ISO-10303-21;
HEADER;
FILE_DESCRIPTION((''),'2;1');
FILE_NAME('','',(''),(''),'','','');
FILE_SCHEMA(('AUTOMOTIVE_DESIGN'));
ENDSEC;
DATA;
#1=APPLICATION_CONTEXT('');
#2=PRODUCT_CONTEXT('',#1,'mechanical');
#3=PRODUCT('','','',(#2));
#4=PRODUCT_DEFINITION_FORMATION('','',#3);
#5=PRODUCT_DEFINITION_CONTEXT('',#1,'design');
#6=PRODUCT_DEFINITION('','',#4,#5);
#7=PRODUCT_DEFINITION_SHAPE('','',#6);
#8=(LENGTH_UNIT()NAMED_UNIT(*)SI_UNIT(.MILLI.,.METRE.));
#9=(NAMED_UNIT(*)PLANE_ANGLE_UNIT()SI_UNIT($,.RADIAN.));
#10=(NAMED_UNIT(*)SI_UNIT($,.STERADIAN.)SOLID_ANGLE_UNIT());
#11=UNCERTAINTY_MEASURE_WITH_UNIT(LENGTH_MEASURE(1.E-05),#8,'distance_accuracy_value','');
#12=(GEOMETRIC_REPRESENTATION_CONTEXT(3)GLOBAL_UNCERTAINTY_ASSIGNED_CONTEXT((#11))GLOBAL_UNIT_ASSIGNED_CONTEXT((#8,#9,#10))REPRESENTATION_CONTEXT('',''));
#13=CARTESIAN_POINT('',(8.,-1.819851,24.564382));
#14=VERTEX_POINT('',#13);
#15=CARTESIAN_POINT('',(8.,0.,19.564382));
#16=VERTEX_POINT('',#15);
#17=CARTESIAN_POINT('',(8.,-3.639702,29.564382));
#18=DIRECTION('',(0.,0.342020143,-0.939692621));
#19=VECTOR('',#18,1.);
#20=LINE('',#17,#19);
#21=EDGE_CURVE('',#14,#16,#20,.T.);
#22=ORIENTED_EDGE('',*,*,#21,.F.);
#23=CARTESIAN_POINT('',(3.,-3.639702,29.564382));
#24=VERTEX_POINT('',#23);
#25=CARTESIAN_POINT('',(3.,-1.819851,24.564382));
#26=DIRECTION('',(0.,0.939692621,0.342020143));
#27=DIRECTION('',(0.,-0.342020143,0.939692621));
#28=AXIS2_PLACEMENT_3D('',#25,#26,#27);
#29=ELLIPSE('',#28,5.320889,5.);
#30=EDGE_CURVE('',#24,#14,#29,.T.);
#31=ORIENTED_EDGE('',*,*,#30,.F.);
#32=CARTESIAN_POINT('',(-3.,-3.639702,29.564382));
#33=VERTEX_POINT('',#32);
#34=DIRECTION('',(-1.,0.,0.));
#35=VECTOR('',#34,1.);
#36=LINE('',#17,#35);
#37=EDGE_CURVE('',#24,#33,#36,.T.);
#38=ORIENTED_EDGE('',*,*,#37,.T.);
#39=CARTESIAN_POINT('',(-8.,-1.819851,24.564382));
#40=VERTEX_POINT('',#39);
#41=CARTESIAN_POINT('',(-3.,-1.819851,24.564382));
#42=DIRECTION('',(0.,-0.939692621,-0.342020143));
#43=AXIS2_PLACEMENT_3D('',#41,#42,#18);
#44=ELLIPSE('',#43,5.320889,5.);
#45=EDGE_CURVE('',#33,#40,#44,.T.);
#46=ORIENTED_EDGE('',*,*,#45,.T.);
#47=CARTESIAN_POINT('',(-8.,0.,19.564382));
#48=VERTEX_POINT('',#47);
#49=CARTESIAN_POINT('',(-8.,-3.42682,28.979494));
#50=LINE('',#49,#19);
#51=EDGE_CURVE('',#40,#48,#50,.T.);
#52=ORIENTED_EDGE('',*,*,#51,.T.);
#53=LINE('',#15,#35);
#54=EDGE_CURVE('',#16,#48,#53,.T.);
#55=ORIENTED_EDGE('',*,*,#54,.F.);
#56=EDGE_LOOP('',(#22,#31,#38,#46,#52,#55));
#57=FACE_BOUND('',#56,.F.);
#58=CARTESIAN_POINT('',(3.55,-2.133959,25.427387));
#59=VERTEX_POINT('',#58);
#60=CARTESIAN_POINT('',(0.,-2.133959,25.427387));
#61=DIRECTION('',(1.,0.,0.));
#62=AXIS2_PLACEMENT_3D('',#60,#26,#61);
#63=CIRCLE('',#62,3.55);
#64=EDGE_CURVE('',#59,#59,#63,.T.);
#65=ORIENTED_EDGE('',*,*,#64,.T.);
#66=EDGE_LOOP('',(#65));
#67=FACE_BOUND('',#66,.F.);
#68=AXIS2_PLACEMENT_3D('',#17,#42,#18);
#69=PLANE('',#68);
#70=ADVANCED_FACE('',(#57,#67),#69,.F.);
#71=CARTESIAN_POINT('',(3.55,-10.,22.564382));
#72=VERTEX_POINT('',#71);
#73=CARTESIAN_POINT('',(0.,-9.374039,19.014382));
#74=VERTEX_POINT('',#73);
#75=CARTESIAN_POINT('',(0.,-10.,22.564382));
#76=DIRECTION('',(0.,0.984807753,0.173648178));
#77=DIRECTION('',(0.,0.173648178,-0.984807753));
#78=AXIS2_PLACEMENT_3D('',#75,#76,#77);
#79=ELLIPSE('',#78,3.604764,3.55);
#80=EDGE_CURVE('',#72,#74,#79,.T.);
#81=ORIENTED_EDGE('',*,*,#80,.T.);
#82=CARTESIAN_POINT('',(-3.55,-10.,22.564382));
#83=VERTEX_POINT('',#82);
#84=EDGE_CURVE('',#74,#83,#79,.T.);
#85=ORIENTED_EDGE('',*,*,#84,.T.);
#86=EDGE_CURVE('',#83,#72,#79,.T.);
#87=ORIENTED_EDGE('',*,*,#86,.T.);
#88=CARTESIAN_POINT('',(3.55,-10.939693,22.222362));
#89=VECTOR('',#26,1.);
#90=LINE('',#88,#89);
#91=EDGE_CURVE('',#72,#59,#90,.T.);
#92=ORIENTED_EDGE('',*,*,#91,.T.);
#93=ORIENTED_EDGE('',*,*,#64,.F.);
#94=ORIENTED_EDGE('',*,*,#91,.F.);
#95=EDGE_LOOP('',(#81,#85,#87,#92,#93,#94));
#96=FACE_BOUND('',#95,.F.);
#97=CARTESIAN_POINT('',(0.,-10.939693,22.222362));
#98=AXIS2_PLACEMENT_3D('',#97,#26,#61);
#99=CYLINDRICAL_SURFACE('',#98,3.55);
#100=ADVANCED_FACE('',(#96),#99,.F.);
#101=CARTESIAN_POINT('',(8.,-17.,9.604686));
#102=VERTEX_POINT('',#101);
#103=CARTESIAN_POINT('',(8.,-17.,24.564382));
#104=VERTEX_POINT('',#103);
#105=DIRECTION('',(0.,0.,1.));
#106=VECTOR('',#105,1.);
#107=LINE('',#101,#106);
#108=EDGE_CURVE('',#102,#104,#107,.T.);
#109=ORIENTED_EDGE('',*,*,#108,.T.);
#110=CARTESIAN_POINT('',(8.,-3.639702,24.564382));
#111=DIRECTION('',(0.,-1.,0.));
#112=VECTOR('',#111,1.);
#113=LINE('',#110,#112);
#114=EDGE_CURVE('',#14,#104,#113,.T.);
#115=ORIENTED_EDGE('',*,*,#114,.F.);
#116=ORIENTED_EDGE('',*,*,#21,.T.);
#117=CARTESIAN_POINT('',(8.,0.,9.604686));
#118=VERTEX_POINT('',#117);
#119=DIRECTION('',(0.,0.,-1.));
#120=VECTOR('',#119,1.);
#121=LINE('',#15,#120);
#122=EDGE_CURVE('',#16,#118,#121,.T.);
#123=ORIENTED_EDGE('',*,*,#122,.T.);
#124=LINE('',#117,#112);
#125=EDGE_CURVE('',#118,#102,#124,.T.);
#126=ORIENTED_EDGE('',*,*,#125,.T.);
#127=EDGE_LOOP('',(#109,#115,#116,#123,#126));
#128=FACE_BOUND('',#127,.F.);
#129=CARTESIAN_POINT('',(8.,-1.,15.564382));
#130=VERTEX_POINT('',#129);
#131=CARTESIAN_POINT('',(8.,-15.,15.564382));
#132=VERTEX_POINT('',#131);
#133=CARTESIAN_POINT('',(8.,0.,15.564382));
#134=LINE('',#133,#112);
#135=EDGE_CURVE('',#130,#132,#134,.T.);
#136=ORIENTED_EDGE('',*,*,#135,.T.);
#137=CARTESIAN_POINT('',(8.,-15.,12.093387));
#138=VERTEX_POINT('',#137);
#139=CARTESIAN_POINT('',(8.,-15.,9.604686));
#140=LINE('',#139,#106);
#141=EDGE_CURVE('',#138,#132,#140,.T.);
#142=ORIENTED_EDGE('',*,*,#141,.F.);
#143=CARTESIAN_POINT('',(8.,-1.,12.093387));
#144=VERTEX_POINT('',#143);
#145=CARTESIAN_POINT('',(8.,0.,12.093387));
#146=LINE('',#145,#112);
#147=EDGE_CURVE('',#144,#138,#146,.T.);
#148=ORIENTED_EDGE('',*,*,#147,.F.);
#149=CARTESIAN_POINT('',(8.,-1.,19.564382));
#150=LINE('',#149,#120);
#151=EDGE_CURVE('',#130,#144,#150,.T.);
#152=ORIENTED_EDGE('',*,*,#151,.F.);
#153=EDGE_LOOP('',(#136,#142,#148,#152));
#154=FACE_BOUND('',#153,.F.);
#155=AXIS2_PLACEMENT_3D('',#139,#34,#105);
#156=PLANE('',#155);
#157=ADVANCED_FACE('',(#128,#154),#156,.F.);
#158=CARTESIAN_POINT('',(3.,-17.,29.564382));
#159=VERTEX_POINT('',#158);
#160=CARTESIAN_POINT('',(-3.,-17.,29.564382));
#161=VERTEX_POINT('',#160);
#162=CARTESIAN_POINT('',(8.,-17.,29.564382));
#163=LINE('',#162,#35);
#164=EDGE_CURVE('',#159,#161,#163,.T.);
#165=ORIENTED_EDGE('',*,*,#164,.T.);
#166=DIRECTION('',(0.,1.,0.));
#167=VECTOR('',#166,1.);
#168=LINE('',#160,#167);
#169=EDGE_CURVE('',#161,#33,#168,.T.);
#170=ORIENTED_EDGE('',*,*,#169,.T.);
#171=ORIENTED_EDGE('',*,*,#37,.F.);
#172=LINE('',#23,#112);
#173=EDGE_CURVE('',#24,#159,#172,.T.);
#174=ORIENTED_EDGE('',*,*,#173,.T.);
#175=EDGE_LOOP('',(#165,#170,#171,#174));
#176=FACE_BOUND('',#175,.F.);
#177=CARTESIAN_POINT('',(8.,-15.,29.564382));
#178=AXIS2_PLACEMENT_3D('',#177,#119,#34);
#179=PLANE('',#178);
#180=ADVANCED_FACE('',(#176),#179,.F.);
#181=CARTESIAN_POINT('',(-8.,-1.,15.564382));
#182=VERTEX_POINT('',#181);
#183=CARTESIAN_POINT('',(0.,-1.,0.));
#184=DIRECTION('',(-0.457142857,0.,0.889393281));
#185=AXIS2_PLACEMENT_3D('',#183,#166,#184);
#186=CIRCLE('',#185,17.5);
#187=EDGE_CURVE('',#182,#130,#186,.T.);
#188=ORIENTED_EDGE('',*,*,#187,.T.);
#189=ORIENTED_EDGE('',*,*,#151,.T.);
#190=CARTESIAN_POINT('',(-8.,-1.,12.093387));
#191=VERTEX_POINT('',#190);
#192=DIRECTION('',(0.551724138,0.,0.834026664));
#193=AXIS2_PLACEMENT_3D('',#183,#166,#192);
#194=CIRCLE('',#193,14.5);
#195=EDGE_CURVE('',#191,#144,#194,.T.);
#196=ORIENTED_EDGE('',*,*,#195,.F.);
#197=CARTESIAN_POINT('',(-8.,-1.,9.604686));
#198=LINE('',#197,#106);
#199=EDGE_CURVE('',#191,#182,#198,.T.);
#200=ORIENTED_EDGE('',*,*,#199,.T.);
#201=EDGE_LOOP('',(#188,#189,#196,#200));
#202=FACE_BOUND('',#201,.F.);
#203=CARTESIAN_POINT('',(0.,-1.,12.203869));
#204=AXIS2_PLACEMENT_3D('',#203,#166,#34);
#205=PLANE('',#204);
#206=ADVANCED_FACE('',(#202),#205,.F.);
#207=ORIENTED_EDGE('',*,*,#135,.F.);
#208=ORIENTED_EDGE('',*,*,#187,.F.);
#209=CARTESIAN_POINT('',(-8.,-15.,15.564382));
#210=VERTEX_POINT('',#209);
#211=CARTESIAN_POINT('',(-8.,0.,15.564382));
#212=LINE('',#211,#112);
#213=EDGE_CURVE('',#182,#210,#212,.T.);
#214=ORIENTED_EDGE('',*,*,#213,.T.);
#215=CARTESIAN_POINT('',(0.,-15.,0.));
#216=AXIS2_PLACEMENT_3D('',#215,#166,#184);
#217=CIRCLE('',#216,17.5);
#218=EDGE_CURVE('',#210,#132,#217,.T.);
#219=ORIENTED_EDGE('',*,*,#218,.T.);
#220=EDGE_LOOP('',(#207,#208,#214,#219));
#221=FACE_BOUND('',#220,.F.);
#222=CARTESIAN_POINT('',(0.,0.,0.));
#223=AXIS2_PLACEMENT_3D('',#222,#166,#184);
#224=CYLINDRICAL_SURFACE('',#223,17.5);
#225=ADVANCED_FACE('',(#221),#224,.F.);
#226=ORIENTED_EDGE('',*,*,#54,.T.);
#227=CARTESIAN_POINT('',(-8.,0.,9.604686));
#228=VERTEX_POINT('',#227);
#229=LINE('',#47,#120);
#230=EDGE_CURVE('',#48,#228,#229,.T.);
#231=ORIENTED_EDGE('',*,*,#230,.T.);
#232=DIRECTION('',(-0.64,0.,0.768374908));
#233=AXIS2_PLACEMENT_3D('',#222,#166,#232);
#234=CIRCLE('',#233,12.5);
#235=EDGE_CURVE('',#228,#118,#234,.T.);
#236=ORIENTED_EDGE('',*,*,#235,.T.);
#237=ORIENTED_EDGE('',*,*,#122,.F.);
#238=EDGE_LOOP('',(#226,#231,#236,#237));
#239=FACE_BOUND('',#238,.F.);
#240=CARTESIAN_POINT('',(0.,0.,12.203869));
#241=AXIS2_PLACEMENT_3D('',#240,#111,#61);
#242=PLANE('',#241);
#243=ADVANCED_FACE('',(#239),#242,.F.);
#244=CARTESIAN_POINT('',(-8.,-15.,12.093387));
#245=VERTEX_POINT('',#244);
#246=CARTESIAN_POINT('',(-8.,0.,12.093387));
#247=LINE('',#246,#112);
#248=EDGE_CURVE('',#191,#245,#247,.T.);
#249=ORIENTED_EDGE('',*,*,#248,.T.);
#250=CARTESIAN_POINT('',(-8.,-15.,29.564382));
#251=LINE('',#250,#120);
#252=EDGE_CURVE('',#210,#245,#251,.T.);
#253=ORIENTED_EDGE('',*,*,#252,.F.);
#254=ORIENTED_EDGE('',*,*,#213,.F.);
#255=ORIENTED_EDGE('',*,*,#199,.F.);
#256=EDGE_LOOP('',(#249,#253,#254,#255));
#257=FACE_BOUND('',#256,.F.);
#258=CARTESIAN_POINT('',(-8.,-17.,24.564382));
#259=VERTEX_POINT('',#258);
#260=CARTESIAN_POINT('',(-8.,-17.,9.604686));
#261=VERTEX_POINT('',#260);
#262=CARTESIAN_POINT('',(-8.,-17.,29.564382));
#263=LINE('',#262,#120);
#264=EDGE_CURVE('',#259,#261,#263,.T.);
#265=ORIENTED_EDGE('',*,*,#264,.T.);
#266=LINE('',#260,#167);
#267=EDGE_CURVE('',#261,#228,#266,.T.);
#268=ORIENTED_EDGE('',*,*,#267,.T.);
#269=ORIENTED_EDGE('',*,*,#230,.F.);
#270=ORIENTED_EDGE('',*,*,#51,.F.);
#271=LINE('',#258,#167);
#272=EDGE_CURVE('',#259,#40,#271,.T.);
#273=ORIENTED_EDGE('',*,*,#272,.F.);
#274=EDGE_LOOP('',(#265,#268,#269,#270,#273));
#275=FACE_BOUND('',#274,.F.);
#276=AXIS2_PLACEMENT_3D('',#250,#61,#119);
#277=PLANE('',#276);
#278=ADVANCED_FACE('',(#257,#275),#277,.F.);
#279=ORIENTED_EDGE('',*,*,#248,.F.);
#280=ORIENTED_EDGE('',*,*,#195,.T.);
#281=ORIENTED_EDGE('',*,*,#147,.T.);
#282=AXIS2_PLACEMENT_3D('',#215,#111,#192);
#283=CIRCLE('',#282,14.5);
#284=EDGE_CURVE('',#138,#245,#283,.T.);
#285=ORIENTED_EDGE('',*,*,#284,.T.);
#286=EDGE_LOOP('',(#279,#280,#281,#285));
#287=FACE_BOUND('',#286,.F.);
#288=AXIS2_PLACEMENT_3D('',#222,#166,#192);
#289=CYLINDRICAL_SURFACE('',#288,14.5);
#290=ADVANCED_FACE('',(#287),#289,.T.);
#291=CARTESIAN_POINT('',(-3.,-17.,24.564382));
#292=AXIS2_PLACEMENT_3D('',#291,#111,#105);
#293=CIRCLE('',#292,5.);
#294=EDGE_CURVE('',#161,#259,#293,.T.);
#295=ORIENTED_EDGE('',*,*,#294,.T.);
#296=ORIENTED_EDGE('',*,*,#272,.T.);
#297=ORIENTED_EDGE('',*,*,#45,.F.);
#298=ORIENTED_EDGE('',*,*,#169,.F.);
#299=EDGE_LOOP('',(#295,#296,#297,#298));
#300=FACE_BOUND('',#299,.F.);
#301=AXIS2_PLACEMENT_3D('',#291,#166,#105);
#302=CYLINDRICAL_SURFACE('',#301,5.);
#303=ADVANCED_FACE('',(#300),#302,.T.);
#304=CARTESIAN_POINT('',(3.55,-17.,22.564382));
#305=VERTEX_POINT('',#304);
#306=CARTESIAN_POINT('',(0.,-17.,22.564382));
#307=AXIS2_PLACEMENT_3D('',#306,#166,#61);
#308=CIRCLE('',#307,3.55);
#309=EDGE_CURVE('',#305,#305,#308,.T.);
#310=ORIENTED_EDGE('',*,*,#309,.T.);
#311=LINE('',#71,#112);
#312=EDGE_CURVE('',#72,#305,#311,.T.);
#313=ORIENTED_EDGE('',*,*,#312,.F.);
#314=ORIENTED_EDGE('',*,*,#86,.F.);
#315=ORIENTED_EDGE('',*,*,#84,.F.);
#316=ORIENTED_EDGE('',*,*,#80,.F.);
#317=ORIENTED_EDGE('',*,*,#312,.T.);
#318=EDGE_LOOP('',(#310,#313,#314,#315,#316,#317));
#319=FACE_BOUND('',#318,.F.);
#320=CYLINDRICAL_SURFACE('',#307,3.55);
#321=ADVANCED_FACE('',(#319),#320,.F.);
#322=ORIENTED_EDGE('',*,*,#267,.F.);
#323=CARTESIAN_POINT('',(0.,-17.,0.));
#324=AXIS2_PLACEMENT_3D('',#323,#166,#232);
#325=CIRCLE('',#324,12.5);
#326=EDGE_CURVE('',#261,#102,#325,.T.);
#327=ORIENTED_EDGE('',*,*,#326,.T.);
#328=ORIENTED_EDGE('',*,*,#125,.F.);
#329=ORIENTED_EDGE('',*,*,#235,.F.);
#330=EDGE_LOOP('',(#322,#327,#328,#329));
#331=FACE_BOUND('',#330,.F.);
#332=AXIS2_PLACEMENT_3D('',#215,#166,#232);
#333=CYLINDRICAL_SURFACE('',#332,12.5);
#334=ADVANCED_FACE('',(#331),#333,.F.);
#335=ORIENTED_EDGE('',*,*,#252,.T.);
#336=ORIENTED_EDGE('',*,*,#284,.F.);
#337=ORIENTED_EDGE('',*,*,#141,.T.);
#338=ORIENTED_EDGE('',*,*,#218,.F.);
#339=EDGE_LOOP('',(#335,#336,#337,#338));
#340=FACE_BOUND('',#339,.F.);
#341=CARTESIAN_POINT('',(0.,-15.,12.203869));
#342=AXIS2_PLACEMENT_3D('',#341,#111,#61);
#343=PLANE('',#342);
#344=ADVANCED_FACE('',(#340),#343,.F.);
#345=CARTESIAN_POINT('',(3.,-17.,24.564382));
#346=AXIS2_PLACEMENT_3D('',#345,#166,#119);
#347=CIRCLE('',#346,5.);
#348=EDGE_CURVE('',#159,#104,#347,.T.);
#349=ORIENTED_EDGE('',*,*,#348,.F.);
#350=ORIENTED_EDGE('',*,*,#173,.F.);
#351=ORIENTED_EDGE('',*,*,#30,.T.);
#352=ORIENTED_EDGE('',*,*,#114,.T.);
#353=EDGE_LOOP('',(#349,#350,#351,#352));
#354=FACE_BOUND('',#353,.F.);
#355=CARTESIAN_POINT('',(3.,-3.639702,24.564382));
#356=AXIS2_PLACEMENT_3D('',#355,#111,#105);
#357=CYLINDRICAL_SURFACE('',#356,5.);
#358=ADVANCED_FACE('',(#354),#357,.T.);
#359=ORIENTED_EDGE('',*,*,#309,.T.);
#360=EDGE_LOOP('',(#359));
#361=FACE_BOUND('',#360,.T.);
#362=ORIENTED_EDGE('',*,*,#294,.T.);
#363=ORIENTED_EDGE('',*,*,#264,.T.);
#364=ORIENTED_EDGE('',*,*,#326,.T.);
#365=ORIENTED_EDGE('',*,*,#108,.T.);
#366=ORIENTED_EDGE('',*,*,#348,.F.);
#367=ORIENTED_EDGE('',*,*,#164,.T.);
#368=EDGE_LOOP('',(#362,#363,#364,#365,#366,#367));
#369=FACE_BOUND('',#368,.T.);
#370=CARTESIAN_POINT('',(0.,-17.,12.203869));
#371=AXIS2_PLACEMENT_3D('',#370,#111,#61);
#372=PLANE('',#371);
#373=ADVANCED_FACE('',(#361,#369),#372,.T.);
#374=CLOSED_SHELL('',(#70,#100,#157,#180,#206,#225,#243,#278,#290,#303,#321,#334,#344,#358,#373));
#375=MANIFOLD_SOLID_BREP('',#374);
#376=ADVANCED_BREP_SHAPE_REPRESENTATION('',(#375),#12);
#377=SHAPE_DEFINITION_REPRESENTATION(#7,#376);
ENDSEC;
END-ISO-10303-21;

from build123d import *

# Parameters (mm, degrees)
F1_DEPTH  = 15
F3_DEPTH  = 2
F5_R      = 3.55
F8_DEPTH  = 25
F11_DEPTH = 1
F12_R     = 5


with BuildPart() as f1:
    # F0 (on Front) → F1 (new body)
    with BuildSketch(Plane.XZ):
        with BuildLine():
            ThreePointArc((-8, 9.6046863561), (0, 12.5), (8, 9.6046863561))
            Line((8, 9.6046863561), (8, 12.0933866224))
            ThreePointArc((8, 12.0933866224), (0, 14.5), (-8, 12.0933866224))
            Line((-8, 12.0933866224), (-8, 9.6046863561))
        make_face()
    extrude(amount=F1_DEPTH)


with BuildPart() as f1b:
    # F0 (on Front) → F1, piece 2 (new body)
    with BuildSketch(Plane.XZ):
        with BuildLine():
            ThreePointArc((-8, 15.5643824163), (0, 17.5), (8, 15.5643824163))
            Line((8, 15.5643824163), (8, 29.5643824163))
            Line((8, 29.5643824163), (-8, 29.5643824163))
            Line((-8, 29.5643824163), (-8, 15.5643824163))
        make_face()
    extrude(amount=F1_DEPTH)


with BuildPart() as f3:
    # F2 (on face) → F3 (new body)
    with BuildSketch(Plane.XZ.offset(15)):
        with BuildLine():
            ThreePointArc((-8, 9.6046863561), (0, 12.5), (8, 9.6046863561))
            Line((8, 9.6046863561), (8, 12.0933866224))
            ThreePointArc((8, 12.0933866224), (0, 14.5), (-8, 12.0933866224))
            Line((-8, 12.0933866224), (-8, 9.6046863561))
        make_face()
        with BuildLine():
            ThreePointArc((-8, 12.0933866224), (0, 14.5), (8, 12.0933866224))
            Line((8, 12.0933866224), (8, 15.5643824163))
            ThreePointArc((8, 15.5643824163), (0, 17.5), (-8, 15.5643824163))
            Line((-8, 15.5643824163), (-8, 12.0933866224))
        make_face()
        with BuildLine():
            ThreePointArc((-8, 15.5643824163), (0, 17.5), (8, 15.5643824163))
            Line((8, 15.5643824163), (8, 29.5643824163))
            Line((8, 29.5643824163), (-8, 29.5643824163))
            Line((-8, 29.5643824163), (-8, 15.5643824163))
        make_face()
    extrude(amount=F3_DEPTH)


with BuildPart() as f6_tool:
    # F6: sweep along a path in F4
    with BuildLine(Plane.YZ.offset(8)) as f6_path:
        Line((-16, 22.5643824163), (-10, 22.5643824163))
        Line((-10, 22.5643824163), (0, 26.2040847589))
        Line((0, 26.2040847589), (4.1724268391, 27.722723933))
    # F5 (on face) → F6 (sweep)
    with BuildSketch(Plane.XZ.offset(17)):
        with Locations((0, 22.5643824163)):
            Circle(F5_R)
    sweep(path=f6_path.line, transition=Transition.RIGHT)


with BuildPart() as f1b_1:
    add(f1b.part)

    # F6: cut by f6_tool
    add(f6_tool.part, mode=Mode.SUBTRACT)

    # F7 (on face) → F8 (cut)
    with BuildSketch(Plane.YZ.offset(8)):
        Polygon((-3.6397023427, 29.5643824163), (0, 19.5643824163), (0, 29.5643824163), align=None)
    extrude(amount=-F8_DEPTH, mode=Mode.SUBTRACT)


with BuildPart() as f3_1:
    add(f3.part)

    # F6: cut by f6_tool
    add(f6_tool.part, mode=Mode.SUBTRACT)


with BuildPart() as f1_1:
    add(f1.part)

    # F9: union F1b, F3
    add(f1b_1.part)
    add(f3_1.part)

    # F10 (on face) → F11 (join)
    with BuildSketch(Plane(origin=(0, 0, 0), x_dir=(-1, 0, 0), z_dir=(0, 1, 0))):
        with BuildLine():
            ThreePointArc((8, 12.0933866224), (0, 14.5), (-8, 12.0933866224))
            Line((-8, 12.0933866224), (-8, 9.6046863561))
            ThreePointArc((-8, 9.6046863561), (0, 12.5), (8, 9.6046863561))
            Line((8, 9.6046863561), (8, 12.0933866224))
        make_face()
        with BuildLine():
            Line((-8, 15.5643824163), (-8, 12.0933866224))
            ThreePointArc((-8, 12.0933866224), (0, 14.5), (8, 12.0933866224))
            Line((8, 12.0933866224), (8, 15.5643824163))
            ThreePointArc((8, 15.5643824163), (0, 17.5), (-8, 15.5643824163))
        make_face()
        with BuildLine():
            Line((-8, 19.5643824163), (-8, 15.5643824163))
            ThreePointArc((-8, 15.5643824163), (0, 17.5), (8, 15.5643824163))
            Line((8, 15.5643824163), (8, 19.5643824163))
            Line((8, 19.5643824163), (-8, 19.5643824163))
        make_face()
    extrude(amount=-F11_DEPTH)

    # F12
    f12_edges = [f1_1.edges().sort_by_distance(p)[0] for p in [
        (8, -10.319851, 29.564382),
        (-8, -10.319851, 29.564382),
    ]]
    fillet(f12_edges, radius=F12_R)


solid = f1_1.part
